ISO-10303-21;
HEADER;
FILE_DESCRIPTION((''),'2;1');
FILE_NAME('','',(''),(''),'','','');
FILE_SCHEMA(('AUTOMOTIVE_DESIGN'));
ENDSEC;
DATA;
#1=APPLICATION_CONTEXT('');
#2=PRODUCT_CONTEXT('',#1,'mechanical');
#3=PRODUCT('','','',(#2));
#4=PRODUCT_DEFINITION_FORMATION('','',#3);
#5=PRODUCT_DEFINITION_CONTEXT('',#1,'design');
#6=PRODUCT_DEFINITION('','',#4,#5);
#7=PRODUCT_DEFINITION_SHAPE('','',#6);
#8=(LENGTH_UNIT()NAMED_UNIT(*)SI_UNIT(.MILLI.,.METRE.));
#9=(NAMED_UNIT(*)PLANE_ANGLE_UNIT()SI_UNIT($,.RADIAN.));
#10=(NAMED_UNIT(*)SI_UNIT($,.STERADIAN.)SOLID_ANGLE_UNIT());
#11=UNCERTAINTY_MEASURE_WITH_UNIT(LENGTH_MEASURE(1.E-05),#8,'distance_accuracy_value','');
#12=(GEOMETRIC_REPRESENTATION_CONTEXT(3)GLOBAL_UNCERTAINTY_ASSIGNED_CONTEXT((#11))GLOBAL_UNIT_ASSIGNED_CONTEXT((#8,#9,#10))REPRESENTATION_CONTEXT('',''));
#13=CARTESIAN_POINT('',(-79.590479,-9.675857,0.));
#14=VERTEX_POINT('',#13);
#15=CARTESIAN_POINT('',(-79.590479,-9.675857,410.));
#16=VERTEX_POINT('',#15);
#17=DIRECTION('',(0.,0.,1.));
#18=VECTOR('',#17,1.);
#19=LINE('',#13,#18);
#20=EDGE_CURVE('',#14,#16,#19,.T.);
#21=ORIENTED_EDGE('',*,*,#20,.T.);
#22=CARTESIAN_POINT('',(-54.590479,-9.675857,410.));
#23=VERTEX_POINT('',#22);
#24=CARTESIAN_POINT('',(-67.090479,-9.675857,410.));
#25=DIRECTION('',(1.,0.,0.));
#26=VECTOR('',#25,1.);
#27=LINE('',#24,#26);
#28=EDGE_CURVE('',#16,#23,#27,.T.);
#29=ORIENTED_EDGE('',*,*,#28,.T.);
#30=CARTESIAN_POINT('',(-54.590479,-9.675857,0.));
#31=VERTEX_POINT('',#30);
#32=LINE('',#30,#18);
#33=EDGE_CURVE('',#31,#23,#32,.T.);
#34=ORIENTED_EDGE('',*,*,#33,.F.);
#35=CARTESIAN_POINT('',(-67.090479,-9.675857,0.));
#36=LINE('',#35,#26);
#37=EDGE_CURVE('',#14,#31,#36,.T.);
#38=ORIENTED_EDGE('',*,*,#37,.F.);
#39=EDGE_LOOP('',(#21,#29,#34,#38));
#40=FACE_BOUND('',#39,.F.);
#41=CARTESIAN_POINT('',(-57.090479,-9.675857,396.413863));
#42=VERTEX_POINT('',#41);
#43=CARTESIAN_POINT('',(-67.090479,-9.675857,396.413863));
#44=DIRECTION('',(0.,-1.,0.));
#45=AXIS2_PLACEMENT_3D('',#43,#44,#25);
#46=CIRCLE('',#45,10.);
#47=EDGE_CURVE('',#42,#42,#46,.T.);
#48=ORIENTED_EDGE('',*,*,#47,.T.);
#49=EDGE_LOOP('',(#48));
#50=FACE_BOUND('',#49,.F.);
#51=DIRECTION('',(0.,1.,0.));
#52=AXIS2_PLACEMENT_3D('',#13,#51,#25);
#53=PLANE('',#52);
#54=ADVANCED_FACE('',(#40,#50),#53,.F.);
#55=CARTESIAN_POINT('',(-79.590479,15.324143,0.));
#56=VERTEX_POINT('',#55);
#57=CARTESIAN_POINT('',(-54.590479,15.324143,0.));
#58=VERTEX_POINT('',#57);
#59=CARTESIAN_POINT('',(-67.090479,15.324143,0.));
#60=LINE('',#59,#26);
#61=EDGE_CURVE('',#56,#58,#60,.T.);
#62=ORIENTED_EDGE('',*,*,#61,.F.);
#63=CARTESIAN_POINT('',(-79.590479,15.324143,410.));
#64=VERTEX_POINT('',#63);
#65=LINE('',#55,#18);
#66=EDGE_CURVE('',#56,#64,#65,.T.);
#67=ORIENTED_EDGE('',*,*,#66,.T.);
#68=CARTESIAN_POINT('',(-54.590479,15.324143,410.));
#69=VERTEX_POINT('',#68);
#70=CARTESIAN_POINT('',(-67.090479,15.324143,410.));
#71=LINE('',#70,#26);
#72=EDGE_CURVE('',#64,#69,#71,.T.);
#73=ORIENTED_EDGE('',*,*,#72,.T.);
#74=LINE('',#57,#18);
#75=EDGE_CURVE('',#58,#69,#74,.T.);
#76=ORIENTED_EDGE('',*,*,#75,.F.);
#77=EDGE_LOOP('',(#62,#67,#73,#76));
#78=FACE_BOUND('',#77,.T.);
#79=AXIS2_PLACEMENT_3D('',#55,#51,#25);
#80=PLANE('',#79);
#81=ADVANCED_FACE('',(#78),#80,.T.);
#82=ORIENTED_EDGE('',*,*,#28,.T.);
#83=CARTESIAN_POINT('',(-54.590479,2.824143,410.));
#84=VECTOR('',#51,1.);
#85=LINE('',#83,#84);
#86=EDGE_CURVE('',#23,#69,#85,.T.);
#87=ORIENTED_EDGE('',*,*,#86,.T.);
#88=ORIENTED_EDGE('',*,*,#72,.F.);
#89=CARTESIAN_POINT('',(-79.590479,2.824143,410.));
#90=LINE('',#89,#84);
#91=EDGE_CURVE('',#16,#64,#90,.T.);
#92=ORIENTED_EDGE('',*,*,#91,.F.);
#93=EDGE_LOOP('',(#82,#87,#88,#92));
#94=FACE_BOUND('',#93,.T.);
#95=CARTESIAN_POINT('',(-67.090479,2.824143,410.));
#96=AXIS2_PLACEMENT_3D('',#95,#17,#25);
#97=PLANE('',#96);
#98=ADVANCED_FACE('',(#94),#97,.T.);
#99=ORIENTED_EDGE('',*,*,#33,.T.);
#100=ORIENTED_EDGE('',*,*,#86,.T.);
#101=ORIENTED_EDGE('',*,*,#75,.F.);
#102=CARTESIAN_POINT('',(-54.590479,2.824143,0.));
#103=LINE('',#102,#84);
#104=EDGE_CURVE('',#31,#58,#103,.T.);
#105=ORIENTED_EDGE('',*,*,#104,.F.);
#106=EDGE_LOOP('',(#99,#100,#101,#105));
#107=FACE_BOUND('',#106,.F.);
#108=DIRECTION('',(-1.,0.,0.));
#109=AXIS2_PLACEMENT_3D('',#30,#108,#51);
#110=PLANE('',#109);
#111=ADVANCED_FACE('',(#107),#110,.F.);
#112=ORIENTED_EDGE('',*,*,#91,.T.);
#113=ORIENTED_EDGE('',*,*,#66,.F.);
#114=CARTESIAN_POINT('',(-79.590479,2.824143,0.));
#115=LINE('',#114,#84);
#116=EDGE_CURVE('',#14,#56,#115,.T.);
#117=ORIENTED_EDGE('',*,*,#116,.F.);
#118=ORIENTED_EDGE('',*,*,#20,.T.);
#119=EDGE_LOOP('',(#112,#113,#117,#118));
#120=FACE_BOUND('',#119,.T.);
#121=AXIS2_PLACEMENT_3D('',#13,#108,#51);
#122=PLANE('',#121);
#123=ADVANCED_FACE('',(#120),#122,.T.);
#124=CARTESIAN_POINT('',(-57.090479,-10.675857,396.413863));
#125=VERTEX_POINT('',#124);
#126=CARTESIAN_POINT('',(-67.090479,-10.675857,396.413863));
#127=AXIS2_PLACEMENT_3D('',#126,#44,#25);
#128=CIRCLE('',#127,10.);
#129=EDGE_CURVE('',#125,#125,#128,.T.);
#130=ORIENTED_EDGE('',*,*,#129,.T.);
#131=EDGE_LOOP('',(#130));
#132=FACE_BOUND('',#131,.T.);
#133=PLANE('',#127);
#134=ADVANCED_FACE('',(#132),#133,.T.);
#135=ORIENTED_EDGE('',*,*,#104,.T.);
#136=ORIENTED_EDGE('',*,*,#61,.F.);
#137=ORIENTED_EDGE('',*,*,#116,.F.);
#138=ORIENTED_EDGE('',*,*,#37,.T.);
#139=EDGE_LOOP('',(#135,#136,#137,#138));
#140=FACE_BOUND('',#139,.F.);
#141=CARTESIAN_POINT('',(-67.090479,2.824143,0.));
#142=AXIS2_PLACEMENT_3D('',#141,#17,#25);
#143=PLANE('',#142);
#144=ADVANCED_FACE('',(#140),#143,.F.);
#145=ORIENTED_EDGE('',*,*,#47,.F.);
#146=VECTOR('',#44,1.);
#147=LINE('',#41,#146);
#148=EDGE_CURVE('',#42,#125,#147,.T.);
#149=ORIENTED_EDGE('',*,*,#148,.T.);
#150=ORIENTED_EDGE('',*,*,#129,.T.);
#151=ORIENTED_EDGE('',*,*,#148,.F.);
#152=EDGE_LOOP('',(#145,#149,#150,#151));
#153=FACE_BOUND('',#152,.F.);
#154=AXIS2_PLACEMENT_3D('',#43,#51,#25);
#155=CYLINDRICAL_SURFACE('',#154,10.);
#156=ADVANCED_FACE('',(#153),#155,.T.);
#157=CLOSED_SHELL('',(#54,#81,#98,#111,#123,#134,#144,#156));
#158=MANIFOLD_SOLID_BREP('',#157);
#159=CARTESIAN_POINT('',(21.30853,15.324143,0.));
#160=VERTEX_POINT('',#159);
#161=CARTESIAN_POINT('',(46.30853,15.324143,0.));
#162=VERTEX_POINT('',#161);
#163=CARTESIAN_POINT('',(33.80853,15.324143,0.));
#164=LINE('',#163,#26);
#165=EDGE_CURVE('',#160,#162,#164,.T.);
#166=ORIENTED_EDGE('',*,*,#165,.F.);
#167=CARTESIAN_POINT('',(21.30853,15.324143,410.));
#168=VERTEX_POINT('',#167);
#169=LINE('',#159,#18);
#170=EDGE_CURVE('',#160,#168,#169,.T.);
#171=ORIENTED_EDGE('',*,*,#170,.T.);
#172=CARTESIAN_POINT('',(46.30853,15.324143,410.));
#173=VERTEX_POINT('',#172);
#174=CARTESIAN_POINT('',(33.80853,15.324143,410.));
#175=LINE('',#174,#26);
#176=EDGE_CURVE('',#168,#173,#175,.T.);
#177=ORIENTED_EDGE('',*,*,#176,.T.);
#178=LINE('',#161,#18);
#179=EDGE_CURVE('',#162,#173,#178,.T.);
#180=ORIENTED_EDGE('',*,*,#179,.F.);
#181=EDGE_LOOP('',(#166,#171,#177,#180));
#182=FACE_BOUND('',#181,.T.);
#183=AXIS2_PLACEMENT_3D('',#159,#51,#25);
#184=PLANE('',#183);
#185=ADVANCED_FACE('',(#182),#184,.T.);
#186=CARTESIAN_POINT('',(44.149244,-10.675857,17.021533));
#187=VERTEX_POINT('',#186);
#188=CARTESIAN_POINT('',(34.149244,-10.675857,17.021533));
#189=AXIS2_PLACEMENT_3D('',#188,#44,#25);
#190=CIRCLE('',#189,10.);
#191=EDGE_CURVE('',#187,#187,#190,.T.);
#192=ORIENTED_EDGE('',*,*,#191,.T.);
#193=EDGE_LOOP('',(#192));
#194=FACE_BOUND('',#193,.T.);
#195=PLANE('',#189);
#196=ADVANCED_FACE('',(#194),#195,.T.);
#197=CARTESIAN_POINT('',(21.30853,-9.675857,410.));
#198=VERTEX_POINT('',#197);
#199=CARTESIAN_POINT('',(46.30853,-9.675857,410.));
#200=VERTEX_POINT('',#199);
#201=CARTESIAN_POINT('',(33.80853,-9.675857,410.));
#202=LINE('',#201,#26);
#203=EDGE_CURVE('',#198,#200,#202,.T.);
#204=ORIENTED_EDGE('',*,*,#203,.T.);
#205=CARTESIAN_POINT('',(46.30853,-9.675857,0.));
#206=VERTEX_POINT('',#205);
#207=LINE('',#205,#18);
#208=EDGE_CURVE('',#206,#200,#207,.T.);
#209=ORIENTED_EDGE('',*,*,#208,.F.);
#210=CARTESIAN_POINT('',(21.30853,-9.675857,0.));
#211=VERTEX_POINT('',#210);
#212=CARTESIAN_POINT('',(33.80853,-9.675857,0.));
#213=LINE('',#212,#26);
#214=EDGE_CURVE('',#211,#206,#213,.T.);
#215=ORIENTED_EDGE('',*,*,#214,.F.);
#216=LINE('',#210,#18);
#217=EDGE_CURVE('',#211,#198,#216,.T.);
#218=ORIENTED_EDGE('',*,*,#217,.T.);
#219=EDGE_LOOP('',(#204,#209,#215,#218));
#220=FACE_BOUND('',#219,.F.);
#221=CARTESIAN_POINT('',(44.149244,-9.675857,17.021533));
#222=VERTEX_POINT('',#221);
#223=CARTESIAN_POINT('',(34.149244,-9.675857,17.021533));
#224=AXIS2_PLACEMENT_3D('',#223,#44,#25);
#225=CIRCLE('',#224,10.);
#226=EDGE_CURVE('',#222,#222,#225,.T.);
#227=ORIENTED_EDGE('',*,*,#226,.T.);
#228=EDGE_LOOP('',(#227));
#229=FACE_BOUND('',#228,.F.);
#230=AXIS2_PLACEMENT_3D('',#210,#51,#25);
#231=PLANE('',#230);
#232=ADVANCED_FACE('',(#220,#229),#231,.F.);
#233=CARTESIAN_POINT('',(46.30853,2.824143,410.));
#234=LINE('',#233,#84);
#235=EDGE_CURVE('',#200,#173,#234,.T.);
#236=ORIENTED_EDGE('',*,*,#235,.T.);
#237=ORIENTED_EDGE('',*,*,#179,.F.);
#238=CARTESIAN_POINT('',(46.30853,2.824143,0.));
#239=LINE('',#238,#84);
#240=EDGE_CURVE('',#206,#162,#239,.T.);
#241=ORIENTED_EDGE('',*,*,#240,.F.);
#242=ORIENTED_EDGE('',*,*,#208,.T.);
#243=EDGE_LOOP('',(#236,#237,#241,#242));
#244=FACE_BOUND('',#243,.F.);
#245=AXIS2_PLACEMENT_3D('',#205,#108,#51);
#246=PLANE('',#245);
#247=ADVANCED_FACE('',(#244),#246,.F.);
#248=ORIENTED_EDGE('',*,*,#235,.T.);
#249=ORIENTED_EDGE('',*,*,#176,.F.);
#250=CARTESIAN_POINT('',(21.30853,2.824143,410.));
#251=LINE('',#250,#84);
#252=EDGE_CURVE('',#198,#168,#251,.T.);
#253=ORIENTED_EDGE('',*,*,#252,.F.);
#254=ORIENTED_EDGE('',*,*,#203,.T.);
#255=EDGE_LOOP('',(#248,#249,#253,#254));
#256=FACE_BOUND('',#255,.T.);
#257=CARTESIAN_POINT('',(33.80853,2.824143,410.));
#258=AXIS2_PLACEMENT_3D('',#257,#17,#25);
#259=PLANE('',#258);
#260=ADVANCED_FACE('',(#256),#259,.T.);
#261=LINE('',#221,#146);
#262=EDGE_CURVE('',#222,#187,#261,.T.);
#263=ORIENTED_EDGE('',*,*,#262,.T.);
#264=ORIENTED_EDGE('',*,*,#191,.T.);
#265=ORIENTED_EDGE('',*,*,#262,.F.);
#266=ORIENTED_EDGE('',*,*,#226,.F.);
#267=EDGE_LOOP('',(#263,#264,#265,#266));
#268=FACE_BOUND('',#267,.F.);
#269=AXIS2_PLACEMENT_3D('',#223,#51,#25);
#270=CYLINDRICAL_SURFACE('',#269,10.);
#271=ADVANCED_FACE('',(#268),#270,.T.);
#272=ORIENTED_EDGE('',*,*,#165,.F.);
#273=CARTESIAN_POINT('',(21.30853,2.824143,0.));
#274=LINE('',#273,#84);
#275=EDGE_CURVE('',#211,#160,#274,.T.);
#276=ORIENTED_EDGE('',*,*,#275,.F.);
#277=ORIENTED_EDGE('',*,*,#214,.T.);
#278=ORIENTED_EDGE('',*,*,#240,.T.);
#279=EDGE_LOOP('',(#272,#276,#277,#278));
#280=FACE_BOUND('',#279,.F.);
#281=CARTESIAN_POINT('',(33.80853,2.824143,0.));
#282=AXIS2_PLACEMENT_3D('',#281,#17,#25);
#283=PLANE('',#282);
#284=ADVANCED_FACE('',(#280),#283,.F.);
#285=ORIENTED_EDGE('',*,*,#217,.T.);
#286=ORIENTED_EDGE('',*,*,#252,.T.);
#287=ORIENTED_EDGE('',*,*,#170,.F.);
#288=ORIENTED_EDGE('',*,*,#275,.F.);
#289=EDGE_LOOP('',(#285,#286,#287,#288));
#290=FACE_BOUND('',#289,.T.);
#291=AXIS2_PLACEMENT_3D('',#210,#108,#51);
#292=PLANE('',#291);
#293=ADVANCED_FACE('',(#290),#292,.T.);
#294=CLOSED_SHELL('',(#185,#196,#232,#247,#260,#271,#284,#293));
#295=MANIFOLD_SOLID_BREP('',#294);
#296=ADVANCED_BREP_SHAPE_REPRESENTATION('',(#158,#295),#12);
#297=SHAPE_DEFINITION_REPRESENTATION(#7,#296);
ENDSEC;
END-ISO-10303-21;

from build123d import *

# Parameters (mm, degrees)
F0_W     = 25
F0_H     = 25
F1_DEPTH = 410
F2_R     = 10
F3_DEPTH = 1
F4_DEPTH = 1


with BuildPart() as f1:
    # F0 (on Top) → F1 (new body)
    with BuildSketch(Plane.XY):
        with Locations((-67.090479, 2.824143)):
            Rectangle(F0_W, F0_H)
        with Locations((33.80853, 2.824143)):
            Rectangle(F0_W, F0_H)
    extrude(amount=F1_DEPTH)

    # F2 (on face) → F3 (join)
    with BuildSketch(Plane.XZ.offset(9.675857)):
        with Locations((-67.090479, 396.413863)):
            Circle(F2_R)
    extrude(amount=F3_DEPTH)

    # F2 (on face) → F4 (join)
    with BuildSketch(Plane.XZ.offset(9.675857)):
        with Locations((34.149244, 17.021533)):
            Circle(F2_R)
    extrude(amount=F4_DEPTH)


solid = f1.part
